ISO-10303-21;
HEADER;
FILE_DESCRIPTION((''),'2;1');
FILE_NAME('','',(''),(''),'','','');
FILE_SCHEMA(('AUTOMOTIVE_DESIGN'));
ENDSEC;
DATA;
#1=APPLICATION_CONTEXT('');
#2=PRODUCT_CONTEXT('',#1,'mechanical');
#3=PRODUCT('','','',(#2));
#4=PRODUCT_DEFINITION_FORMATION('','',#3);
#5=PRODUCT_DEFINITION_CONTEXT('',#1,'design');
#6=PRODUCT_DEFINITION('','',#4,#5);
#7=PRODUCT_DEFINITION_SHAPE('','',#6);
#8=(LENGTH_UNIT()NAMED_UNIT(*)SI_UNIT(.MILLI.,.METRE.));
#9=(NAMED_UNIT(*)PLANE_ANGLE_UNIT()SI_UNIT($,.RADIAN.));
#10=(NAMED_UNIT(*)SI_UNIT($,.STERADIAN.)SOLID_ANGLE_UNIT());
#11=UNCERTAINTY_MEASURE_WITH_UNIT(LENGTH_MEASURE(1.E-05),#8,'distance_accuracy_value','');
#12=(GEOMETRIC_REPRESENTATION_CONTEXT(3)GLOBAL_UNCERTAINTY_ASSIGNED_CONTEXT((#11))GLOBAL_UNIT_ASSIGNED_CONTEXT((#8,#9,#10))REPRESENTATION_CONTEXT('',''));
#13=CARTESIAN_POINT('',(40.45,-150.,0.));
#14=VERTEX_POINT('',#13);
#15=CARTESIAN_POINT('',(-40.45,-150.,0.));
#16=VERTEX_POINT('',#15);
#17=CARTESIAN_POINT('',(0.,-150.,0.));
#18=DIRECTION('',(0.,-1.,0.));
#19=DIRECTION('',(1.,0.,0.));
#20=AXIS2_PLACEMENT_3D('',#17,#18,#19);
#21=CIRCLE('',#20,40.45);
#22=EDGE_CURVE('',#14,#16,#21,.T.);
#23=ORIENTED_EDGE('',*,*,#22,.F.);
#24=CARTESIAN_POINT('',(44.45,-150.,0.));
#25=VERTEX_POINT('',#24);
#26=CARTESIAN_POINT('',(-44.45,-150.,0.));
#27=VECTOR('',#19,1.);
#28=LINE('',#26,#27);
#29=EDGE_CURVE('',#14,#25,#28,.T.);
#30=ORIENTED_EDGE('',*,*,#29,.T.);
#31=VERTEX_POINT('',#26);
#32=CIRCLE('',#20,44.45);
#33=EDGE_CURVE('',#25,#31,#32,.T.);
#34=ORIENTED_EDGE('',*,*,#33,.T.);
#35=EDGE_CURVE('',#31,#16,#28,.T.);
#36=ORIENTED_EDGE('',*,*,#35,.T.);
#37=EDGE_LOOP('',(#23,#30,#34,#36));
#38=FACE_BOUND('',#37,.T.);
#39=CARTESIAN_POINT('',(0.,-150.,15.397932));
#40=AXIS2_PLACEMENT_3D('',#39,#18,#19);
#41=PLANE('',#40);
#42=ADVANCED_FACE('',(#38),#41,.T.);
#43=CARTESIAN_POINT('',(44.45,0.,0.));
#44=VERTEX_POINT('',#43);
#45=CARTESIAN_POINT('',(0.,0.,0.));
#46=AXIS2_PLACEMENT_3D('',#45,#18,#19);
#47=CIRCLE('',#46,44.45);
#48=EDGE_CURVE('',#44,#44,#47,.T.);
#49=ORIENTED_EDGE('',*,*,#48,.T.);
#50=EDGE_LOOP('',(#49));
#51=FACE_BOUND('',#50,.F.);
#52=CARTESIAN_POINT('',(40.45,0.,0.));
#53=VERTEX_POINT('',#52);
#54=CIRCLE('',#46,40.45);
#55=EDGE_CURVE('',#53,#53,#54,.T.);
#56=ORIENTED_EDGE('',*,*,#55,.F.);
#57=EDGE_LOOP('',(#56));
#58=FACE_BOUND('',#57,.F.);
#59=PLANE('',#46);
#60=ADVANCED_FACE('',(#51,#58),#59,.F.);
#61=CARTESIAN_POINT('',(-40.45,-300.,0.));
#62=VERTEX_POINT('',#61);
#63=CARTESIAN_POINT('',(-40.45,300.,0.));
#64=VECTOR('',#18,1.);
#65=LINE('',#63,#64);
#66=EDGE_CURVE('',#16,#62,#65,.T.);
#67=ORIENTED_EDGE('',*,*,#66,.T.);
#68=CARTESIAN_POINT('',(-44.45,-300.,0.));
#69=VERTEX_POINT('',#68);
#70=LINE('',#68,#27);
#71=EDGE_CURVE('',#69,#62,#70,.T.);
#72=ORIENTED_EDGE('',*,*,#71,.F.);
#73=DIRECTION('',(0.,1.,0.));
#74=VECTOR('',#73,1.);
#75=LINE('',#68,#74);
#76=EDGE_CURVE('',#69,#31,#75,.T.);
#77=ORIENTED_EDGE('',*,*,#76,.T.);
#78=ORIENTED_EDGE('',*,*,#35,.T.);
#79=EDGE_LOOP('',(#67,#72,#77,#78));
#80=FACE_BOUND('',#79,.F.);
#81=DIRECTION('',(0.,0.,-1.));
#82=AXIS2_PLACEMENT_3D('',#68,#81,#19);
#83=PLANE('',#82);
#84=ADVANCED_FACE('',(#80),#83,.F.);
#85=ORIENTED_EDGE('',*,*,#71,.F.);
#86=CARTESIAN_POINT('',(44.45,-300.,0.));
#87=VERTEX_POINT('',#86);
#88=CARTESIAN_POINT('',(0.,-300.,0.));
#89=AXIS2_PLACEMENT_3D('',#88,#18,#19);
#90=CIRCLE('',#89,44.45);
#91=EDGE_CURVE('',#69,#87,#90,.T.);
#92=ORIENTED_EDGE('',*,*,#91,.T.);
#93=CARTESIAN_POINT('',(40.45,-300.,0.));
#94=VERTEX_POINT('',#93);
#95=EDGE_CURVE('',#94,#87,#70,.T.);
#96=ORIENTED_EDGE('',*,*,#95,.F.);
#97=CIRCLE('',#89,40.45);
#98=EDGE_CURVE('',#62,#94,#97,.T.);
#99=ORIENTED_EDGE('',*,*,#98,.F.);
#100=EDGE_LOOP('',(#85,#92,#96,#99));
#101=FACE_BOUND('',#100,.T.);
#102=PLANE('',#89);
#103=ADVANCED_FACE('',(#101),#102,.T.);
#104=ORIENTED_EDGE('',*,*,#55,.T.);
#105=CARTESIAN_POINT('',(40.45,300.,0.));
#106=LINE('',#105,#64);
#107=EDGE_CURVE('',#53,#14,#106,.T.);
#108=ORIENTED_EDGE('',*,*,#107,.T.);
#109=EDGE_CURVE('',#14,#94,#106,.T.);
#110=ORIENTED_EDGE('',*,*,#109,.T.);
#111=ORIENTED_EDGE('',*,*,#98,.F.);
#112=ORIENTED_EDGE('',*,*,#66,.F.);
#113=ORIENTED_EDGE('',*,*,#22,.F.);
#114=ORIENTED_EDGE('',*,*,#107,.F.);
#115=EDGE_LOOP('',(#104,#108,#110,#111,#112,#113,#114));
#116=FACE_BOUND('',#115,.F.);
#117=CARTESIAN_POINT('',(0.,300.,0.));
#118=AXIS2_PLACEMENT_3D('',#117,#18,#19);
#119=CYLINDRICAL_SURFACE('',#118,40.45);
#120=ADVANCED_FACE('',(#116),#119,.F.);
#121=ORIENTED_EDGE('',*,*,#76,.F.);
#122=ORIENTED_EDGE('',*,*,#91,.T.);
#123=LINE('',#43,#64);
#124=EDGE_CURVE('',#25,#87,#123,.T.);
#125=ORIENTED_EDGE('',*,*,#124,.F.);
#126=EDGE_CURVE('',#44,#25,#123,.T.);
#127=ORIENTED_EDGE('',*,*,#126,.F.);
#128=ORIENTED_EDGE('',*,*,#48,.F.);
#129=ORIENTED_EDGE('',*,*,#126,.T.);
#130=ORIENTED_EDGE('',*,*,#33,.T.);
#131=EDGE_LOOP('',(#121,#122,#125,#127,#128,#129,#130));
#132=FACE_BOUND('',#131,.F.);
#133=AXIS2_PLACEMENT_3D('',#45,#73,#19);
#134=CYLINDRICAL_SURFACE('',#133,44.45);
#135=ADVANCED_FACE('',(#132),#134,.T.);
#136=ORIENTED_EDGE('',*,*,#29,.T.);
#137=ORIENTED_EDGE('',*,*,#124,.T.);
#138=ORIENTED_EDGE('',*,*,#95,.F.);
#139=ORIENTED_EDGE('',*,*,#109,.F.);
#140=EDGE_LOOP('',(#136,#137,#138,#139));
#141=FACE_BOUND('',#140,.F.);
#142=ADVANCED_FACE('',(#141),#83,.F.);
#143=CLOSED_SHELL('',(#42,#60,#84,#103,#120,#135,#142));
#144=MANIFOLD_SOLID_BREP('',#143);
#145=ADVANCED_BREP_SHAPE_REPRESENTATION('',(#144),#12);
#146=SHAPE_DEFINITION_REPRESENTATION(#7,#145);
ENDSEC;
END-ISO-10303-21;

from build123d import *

# Parameters (mm, degrees)
F0_R     = 44.45
F1_DEPTH = 300
F3_DEPTH = 150
F5_D     = 80.9
F5_DEPTH = 300


with BuildPart() as f1:
    # F0 (on Front) → F1 (new body)
    with BuildSketch(Plane.XZ):
        Circle(F0_R)
    extrude(amount=F1_DEPTH)

    # F2 (on face) → F3 (cut)
    with BuildSketch(Plane.XZ.offset(300)):
        with BuildLine():
            ThreePointArc((44.45, 0), (0, 44.45), (-44.45, 0))
            Line((-44.45, 0), (44.45, 0))
        make_face()
    extrude(amount=-F3_DEPTH, mode=Mode.SUBTRACT)

    # F5
    with Locations(Plane(origin=(0, 0, 0), x_dir=(-1, 0, 0), z_dir=(0, 1, 0))):
        with Locations((0, 0)):
            Hole(F5_D / 2, depth=F5_DEPTH)


solid = f1.part
